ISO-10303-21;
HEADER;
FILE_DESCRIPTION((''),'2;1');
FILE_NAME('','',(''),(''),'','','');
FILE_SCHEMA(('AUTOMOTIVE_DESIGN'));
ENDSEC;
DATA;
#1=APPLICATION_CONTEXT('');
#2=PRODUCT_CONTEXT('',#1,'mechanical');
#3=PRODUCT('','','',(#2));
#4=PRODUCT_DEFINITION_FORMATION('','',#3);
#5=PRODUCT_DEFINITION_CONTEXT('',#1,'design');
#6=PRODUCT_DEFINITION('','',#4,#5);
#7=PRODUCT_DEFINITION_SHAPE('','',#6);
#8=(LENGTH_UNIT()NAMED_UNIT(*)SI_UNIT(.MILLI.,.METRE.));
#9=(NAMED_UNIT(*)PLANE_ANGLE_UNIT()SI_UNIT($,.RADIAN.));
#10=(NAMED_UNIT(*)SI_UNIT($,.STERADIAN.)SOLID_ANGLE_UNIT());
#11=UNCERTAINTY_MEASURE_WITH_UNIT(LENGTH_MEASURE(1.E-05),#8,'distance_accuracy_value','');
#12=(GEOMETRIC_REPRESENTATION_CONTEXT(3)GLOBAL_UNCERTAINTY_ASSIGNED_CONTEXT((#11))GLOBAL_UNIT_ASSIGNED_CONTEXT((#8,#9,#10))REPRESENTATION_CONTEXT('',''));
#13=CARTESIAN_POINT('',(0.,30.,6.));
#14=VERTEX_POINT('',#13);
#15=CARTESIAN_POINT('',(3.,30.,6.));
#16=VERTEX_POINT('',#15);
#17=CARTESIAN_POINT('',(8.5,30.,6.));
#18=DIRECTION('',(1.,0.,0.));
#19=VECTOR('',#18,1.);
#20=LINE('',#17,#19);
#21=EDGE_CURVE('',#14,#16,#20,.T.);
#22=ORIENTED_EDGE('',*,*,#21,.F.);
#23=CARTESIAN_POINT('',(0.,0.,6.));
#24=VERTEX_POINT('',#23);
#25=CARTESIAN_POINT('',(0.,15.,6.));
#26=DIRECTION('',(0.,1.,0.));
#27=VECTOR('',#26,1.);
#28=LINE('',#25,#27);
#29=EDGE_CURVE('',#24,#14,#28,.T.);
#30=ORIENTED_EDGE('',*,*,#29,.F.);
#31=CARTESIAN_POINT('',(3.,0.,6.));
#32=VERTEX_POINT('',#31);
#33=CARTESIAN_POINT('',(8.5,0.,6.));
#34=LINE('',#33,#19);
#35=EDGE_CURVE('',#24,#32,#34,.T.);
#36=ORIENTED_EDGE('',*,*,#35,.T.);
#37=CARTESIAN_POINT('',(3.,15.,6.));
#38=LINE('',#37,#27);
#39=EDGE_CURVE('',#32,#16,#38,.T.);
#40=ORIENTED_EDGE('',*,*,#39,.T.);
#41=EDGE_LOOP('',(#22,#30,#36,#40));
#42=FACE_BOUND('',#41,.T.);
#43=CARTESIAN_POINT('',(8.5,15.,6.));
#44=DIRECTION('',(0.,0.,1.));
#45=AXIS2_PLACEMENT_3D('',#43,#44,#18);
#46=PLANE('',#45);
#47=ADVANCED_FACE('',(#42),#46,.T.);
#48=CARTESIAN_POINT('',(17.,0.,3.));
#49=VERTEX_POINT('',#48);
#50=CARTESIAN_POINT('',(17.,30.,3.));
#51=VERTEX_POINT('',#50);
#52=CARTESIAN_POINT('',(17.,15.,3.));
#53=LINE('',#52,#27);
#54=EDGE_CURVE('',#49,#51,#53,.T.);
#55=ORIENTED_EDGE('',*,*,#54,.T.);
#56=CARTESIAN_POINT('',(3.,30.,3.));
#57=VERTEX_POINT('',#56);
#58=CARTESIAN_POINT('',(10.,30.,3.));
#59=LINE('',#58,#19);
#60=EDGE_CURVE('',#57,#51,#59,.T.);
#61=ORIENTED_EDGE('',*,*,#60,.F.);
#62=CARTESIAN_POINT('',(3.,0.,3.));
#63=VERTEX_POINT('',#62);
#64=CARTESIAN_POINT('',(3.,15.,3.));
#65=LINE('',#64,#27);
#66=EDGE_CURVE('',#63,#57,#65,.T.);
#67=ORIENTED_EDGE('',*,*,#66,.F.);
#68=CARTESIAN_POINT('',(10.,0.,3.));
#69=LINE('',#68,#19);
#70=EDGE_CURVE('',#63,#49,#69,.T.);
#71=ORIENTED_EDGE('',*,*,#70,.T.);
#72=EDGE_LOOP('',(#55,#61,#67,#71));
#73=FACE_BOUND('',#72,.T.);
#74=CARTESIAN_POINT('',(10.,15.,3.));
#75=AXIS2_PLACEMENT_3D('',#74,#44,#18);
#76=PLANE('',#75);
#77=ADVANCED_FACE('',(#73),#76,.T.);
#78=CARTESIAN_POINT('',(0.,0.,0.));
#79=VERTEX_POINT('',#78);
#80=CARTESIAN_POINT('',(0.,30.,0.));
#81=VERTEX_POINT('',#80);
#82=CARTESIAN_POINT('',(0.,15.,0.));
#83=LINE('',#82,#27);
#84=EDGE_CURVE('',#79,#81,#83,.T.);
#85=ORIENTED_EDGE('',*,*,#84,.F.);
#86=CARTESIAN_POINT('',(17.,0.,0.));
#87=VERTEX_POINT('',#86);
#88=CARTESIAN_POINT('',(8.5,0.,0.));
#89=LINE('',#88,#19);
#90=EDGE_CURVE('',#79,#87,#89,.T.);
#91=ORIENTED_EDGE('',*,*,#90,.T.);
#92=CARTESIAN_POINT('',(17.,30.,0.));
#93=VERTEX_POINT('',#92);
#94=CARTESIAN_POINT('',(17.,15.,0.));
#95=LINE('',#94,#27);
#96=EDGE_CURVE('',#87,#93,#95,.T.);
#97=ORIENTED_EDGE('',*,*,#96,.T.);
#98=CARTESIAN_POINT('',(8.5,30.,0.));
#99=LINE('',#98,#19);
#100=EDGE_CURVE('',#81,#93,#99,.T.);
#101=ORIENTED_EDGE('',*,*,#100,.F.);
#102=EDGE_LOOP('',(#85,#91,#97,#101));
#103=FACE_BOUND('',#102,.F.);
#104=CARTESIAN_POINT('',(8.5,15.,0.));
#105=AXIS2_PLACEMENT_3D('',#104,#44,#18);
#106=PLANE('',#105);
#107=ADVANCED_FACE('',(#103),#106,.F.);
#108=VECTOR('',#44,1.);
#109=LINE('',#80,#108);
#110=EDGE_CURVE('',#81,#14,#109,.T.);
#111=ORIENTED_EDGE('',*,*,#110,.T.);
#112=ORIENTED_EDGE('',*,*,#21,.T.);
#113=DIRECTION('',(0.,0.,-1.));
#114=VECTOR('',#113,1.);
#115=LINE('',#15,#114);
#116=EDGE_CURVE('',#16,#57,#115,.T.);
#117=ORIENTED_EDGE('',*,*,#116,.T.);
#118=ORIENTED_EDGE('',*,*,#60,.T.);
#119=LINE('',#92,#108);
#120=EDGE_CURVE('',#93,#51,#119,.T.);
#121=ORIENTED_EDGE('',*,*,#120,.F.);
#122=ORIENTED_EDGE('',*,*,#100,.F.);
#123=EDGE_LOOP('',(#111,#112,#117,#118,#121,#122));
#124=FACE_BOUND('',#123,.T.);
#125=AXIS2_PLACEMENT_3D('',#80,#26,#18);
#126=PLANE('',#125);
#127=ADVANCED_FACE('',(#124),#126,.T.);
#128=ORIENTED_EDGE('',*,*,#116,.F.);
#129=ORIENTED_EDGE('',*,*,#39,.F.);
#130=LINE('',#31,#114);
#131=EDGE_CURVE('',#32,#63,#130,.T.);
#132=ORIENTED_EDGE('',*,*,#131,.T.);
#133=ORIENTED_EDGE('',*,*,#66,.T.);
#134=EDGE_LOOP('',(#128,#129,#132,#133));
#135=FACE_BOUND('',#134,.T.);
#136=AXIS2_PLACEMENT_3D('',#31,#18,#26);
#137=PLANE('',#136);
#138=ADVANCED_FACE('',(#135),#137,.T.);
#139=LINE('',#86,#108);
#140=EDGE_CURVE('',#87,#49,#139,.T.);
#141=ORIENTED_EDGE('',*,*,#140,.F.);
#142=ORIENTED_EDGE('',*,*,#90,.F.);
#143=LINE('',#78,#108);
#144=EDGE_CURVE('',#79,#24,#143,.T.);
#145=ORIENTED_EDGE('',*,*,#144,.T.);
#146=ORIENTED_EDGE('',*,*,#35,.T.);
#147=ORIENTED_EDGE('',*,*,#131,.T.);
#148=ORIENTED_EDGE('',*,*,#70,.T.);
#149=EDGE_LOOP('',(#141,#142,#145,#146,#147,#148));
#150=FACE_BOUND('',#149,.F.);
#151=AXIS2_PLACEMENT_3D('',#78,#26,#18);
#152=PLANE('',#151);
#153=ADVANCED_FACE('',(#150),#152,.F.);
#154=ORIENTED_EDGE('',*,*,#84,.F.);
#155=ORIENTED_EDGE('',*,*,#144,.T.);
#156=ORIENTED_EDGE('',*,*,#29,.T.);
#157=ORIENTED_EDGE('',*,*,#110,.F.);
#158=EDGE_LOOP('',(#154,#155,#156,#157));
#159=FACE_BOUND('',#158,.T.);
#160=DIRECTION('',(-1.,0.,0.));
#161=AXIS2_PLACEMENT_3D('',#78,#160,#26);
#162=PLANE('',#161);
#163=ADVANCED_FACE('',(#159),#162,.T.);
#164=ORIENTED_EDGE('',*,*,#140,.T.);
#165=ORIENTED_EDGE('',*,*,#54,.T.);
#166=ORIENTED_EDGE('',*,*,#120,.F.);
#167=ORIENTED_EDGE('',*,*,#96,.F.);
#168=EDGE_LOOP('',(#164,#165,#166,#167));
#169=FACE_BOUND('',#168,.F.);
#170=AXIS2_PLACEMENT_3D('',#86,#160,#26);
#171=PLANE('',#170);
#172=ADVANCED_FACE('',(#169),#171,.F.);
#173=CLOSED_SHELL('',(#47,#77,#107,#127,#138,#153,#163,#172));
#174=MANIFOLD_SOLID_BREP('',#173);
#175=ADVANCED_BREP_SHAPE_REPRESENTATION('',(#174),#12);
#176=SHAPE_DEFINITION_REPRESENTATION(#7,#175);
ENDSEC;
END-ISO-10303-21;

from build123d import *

# Parameters (mm, degrees)
SKETCH_W     = 17
SKETCH_H     = 30
PAD_DEPTH    = 6
SKETCH001_W  = 14
SKETCH001_H  = 30
POCKET_DEPTH = 3


with BuildPart() as part:
    # Sketch → Pad (new body)
    with BuildSketch(Plane.XY):
        with Locations((8.5, 15)):
            Rectangle(SKETCH_W, SKETCH_H)
    extrude(amount=PAD_DEPTH)

    # Sketch001 (on Face6 of Pad) → Pocket (cut)
    with BuildSketch(Plane.XY.offset(6)):
        with Locations((10, 15)):
            Rectangle(SKETCH001_W, SKETCH001_H)
    extrude(amount=-POCKET_DEPTH, mode=Mode.SUBTRACT)


solid = part.part
